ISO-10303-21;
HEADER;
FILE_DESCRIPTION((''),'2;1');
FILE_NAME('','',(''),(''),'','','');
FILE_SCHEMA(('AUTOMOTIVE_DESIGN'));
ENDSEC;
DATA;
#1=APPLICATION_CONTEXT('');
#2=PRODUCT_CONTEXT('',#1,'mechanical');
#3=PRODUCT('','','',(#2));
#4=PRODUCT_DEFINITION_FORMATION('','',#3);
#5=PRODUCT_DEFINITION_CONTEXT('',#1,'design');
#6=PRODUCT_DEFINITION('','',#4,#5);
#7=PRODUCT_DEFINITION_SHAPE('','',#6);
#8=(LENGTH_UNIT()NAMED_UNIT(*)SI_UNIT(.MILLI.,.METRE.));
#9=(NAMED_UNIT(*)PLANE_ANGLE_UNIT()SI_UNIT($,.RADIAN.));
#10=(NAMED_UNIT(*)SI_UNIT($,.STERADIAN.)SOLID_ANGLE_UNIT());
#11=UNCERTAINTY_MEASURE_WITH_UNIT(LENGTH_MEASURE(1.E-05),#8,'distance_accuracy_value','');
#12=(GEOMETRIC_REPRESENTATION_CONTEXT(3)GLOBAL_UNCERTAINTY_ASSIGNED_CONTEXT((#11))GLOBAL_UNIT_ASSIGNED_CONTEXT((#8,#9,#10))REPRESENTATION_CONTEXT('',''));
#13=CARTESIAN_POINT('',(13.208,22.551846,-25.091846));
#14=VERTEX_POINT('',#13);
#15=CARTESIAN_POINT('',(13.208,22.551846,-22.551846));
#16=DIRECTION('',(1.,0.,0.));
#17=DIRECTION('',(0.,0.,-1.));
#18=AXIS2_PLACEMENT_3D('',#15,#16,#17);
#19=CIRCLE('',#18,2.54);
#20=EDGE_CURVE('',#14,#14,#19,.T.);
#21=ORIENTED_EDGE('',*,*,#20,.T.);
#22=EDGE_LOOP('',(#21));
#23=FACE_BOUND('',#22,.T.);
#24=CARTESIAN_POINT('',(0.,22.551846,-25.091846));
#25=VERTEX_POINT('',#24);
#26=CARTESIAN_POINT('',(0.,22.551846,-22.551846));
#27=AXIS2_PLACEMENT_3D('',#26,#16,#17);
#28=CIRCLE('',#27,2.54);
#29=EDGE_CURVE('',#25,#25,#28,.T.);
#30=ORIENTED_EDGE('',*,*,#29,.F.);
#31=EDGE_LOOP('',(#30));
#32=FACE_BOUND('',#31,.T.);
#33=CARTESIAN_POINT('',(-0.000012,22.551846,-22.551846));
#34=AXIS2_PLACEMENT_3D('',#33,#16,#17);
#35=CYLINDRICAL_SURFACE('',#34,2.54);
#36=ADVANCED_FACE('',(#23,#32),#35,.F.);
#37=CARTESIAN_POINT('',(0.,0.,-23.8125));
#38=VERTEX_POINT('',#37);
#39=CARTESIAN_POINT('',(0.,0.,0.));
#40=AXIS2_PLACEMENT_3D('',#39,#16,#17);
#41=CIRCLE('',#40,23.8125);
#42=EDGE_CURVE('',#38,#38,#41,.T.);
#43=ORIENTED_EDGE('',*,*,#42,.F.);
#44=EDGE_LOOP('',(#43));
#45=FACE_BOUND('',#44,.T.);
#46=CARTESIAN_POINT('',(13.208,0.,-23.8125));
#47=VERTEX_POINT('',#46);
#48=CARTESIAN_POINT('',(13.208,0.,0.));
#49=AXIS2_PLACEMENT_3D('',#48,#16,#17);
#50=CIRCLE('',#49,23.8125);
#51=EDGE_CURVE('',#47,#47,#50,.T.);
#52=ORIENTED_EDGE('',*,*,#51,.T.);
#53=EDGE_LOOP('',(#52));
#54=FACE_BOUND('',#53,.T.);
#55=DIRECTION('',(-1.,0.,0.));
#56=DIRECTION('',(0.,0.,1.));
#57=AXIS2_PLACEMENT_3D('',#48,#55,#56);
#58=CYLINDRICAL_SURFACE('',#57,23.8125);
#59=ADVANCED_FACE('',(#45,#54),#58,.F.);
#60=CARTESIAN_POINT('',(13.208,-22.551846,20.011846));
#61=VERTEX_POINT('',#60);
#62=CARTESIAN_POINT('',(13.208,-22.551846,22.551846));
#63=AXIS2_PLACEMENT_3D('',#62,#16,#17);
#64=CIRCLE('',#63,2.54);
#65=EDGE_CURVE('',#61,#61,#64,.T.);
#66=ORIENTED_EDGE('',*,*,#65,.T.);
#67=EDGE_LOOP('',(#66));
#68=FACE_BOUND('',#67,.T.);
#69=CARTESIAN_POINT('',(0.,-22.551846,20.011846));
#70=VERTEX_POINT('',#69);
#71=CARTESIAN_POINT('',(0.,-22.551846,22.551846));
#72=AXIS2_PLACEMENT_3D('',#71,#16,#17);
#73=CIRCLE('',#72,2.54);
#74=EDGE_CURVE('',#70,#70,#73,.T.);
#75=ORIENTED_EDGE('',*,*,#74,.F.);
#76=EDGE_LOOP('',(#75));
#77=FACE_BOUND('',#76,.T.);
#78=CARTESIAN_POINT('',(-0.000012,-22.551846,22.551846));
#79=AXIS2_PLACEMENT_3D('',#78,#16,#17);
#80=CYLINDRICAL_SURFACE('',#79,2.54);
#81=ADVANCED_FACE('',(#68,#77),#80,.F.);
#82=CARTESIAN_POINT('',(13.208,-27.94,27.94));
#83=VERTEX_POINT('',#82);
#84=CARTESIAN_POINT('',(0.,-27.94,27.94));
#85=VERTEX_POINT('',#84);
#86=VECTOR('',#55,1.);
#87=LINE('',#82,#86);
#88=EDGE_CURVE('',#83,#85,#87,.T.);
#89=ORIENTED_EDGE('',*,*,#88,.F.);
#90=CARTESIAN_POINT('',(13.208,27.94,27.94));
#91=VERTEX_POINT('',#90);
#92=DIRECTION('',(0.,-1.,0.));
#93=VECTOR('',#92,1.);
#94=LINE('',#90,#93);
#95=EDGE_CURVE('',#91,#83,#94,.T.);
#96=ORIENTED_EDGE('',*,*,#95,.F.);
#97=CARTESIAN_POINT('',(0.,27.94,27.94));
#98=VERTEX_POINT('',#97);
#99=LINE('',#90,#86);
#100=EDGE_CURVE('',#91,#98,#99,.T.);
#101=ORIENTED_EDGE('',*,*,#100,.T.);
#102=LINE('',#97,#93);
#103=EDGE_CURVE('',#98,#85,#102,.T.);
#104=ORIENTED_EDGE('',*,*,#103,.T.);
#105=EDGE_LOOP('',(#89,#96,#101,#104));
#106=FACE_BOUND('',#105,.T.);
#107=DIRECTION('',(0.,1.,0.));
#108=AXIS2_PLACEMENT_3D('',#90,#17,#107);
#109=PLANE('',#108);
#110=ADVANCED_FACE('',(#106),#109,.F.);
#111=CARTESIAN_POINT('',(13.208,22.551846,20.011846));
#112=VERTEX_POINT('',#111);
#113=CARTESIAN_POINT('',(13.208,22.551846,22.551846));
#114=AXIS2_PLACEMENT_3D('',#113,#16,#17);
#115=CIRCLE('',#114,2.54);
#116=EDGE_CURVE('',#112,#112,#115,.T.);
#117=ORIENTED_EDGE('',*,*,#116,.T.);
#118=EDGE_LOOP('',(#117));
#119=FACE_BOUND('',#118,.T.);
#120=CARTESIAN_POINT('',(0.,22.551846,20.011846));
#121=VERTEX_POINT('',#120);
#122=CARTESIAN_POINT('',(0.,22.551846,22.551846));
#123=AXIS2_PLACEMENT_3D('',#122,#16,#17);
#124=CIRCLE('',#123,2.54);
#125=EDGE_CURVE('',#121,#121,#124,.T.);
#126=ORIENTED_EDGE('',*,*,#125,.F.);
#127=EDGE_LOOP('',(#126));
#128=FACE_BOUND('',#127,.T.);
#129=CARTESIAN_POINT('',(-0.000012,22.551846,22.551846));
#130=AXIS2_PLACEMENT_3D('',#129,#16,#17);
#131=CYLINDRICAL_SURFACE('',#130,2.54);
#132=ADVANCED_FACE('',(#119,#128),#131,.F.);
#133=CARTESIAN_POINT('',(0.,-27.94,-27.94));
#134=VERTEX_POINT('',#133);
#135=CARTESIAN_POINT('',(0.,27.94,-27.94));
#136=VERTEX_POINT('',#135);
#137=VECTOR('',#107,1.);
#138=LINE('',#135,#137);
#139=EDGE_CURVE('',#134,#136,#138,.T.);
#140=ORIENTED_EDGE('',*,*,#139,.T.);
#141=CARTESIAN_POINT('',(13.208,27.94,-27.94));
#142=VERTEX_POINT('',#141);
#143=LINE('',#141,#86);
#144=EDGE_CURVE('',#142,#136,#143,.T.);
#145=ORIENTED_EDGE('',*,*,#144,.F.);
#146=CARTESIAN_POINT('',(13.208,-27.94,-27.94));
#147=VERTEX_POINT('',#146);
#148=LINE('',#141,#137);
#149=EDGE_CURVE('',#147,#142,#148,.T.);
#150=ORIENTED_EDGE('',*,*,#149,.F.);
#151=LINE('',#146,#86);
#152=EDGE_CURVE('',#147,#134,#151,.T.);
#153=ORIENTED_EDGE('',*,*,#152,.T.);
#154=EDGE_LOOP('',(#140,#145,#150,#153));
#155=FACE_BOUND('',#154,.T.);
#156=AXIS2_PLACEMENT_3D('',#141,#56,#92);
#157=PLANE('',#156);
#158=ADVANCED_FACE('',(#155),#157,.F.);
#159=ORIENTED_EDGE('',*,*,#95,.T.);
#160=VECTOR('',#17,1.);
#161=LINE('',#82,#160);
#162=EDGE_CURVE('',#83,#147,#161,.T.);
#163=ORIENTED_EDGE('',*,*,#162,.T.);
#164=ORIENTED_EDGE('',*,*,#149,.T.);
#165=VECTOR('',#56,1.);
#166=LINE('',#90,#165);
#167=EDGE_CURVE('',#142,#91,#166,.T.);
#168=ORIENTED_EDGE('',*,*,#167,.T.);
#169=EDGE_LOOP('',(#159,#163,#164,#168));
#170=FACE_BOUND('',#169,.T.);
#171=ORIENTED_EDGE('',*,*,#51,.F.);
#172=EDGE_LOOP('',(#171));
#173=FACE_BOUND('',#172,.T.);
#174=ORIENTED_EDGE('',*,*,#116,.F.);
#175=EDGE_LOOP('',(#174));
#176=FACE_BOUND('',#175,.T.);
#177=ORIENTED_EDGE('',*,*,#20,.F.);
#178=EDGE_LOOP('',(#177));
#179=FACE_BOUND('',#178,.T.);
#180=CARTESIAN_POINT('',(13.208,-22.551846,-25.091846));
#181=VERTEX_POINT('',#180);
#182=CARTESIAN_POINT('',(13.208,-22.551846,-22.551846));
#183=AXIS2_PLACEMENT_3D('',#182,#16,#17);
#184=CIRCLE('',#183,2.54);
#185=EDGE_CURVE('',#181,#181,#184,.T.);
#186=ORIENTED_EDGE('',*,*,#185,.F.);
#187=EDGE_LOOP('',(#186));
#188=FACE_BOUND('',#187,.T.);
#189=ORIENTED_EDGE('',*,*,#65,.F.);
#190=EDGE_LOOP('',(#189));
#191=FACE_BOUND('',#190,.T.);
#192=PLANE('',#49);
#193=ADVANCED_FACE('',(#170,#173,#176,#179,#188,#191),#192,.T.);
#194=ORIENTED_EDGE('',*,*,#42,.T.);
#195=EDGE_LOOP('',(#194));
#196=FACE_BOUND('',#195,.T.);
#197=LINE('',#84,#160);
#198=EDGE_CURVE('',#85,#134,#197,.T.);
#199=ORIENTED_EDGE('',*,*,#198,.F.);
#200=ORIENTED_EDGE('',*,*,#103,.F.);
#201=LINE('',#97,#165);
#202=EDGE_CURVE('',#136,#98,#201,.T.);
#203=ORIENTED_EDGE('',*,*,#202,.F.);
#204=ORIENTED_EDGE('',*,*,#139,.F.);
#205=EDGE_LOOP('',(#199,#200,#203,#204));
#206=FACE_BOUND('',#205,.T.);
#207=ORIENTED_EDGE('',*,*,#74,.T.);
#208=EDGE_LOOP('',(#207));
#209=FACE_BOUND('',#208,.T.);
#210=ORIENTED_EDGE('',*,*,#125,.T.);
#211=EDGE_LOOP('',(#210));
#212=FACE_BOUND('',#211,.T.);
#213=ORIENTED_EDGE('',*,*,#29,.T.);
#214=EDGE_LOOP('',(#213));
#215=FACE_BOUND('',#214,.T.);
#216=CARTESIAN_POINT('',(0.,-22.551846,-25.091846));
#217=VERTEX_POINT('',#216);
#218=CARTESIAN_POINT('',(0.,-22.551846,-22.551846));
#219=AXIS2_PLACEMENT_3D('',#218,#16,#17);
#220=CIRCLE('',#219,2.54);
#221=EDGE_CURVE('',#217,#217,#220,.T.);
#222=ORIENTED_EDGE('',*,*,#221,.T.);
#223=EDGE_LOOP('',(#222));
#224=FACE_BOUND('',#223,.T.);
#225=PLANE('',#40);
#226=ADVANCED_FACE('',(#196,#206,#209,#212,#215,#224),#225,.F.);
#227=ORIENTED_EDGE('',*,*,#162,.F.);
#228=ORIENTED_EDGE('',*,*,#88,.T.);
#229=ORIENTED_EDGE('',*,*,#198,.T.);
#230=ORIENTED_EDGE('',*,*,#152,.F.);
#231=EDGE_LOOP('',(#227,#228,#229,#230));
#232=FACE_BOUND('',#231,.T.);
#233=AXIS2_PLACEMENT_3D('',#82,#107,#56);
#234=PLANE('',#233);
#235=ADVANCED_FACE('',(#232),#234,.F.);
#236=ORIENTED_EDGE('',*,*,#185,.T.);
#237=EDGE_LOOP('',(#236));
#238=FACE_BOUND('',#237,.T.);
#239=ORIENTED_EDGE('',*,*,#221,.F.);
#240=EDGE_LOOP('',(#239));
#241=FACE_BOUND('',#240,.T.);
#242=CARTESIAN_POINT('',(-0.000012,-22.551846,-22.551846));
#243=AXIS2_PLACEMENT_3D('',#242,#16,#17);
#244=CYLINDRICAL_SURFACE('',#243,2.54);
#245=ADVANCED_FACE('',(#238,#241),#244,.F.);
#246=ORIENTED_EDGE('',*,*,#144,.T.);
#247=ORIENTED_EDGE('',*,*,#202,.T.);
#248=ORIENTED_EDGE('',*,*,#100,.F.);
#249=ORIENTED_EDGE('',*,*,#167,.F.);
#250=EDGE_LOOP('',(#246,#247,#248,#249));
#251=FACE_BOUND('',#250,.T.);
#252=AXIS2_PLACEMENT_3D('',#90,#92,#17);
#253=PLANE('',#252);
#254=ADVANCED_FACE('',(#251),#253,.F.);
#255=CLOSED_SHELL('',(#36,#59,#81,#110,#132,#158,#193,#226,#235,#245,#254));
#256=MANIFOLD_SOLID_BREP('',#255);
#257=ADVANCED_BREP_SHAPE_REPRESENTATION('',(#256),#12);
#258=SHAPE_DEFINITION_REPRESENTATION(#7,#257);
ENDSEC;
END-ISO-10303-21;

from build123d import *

# Parameters (mm, degrees)
SKETCH1_W               = 55.88
SKETCH1_H               = 55.88
SKETCH1_R               = 23.8125
BOSS_EXTRUDE1_DEPTH     = 13.208
SKETCH5_R               = 2.54
CUT_EXTRUDE2_DEPTH      = 14.208
CUT_EXTRUDE2_DEPTH_BACK = 1


with BuildPart() as part:
    # Sketch1 → Boss-Extrude1 (new body)
    with BuildSketch(Plane(origin=(0, 0, 0), x_dir=(0, 0, -1), z_dir=(1, 0, 0))):
        Rectangle(SKETCH1_W, SKETCH1_H)
        Circle(SKETCH1_R, mode=Mode.SUBTRACT)
    extrude(amount=BOSS_EXTRUDE1_DEPTH)

    # Sketch5 → Cut-Extrude2 (cut, two sides)
    with BuildSketch(Plane(origin=(0, 0, 0), x_dir=(0, 0, -1), z_dir=(1, 0, 0))) as cut_extrude2_sk:
        with Locations((-22.551846327, -22.551846327)):
            Circle(SKETCH5_R)
        with Locations((-22.551846327, 22.551846327)):
            Circle(SKETCH5_R)
        with Locations((22.551846327, 22.551846327)):
            Circle(SKETCH5_R)
        with Locations((22.551846327, -22.551846327)):
            Circle(SKETCH5_R)
    extrude(amount=CUT_EXTRUDE2_DEPTH, mode=Mode.SUBTRACT)
    extrude(cut_extrude2_sk.sketch, amount=-CUT_EXTRUDE2_DEPTH_BACK, mode=Mode.SUBTRACT)


solid = part.part
